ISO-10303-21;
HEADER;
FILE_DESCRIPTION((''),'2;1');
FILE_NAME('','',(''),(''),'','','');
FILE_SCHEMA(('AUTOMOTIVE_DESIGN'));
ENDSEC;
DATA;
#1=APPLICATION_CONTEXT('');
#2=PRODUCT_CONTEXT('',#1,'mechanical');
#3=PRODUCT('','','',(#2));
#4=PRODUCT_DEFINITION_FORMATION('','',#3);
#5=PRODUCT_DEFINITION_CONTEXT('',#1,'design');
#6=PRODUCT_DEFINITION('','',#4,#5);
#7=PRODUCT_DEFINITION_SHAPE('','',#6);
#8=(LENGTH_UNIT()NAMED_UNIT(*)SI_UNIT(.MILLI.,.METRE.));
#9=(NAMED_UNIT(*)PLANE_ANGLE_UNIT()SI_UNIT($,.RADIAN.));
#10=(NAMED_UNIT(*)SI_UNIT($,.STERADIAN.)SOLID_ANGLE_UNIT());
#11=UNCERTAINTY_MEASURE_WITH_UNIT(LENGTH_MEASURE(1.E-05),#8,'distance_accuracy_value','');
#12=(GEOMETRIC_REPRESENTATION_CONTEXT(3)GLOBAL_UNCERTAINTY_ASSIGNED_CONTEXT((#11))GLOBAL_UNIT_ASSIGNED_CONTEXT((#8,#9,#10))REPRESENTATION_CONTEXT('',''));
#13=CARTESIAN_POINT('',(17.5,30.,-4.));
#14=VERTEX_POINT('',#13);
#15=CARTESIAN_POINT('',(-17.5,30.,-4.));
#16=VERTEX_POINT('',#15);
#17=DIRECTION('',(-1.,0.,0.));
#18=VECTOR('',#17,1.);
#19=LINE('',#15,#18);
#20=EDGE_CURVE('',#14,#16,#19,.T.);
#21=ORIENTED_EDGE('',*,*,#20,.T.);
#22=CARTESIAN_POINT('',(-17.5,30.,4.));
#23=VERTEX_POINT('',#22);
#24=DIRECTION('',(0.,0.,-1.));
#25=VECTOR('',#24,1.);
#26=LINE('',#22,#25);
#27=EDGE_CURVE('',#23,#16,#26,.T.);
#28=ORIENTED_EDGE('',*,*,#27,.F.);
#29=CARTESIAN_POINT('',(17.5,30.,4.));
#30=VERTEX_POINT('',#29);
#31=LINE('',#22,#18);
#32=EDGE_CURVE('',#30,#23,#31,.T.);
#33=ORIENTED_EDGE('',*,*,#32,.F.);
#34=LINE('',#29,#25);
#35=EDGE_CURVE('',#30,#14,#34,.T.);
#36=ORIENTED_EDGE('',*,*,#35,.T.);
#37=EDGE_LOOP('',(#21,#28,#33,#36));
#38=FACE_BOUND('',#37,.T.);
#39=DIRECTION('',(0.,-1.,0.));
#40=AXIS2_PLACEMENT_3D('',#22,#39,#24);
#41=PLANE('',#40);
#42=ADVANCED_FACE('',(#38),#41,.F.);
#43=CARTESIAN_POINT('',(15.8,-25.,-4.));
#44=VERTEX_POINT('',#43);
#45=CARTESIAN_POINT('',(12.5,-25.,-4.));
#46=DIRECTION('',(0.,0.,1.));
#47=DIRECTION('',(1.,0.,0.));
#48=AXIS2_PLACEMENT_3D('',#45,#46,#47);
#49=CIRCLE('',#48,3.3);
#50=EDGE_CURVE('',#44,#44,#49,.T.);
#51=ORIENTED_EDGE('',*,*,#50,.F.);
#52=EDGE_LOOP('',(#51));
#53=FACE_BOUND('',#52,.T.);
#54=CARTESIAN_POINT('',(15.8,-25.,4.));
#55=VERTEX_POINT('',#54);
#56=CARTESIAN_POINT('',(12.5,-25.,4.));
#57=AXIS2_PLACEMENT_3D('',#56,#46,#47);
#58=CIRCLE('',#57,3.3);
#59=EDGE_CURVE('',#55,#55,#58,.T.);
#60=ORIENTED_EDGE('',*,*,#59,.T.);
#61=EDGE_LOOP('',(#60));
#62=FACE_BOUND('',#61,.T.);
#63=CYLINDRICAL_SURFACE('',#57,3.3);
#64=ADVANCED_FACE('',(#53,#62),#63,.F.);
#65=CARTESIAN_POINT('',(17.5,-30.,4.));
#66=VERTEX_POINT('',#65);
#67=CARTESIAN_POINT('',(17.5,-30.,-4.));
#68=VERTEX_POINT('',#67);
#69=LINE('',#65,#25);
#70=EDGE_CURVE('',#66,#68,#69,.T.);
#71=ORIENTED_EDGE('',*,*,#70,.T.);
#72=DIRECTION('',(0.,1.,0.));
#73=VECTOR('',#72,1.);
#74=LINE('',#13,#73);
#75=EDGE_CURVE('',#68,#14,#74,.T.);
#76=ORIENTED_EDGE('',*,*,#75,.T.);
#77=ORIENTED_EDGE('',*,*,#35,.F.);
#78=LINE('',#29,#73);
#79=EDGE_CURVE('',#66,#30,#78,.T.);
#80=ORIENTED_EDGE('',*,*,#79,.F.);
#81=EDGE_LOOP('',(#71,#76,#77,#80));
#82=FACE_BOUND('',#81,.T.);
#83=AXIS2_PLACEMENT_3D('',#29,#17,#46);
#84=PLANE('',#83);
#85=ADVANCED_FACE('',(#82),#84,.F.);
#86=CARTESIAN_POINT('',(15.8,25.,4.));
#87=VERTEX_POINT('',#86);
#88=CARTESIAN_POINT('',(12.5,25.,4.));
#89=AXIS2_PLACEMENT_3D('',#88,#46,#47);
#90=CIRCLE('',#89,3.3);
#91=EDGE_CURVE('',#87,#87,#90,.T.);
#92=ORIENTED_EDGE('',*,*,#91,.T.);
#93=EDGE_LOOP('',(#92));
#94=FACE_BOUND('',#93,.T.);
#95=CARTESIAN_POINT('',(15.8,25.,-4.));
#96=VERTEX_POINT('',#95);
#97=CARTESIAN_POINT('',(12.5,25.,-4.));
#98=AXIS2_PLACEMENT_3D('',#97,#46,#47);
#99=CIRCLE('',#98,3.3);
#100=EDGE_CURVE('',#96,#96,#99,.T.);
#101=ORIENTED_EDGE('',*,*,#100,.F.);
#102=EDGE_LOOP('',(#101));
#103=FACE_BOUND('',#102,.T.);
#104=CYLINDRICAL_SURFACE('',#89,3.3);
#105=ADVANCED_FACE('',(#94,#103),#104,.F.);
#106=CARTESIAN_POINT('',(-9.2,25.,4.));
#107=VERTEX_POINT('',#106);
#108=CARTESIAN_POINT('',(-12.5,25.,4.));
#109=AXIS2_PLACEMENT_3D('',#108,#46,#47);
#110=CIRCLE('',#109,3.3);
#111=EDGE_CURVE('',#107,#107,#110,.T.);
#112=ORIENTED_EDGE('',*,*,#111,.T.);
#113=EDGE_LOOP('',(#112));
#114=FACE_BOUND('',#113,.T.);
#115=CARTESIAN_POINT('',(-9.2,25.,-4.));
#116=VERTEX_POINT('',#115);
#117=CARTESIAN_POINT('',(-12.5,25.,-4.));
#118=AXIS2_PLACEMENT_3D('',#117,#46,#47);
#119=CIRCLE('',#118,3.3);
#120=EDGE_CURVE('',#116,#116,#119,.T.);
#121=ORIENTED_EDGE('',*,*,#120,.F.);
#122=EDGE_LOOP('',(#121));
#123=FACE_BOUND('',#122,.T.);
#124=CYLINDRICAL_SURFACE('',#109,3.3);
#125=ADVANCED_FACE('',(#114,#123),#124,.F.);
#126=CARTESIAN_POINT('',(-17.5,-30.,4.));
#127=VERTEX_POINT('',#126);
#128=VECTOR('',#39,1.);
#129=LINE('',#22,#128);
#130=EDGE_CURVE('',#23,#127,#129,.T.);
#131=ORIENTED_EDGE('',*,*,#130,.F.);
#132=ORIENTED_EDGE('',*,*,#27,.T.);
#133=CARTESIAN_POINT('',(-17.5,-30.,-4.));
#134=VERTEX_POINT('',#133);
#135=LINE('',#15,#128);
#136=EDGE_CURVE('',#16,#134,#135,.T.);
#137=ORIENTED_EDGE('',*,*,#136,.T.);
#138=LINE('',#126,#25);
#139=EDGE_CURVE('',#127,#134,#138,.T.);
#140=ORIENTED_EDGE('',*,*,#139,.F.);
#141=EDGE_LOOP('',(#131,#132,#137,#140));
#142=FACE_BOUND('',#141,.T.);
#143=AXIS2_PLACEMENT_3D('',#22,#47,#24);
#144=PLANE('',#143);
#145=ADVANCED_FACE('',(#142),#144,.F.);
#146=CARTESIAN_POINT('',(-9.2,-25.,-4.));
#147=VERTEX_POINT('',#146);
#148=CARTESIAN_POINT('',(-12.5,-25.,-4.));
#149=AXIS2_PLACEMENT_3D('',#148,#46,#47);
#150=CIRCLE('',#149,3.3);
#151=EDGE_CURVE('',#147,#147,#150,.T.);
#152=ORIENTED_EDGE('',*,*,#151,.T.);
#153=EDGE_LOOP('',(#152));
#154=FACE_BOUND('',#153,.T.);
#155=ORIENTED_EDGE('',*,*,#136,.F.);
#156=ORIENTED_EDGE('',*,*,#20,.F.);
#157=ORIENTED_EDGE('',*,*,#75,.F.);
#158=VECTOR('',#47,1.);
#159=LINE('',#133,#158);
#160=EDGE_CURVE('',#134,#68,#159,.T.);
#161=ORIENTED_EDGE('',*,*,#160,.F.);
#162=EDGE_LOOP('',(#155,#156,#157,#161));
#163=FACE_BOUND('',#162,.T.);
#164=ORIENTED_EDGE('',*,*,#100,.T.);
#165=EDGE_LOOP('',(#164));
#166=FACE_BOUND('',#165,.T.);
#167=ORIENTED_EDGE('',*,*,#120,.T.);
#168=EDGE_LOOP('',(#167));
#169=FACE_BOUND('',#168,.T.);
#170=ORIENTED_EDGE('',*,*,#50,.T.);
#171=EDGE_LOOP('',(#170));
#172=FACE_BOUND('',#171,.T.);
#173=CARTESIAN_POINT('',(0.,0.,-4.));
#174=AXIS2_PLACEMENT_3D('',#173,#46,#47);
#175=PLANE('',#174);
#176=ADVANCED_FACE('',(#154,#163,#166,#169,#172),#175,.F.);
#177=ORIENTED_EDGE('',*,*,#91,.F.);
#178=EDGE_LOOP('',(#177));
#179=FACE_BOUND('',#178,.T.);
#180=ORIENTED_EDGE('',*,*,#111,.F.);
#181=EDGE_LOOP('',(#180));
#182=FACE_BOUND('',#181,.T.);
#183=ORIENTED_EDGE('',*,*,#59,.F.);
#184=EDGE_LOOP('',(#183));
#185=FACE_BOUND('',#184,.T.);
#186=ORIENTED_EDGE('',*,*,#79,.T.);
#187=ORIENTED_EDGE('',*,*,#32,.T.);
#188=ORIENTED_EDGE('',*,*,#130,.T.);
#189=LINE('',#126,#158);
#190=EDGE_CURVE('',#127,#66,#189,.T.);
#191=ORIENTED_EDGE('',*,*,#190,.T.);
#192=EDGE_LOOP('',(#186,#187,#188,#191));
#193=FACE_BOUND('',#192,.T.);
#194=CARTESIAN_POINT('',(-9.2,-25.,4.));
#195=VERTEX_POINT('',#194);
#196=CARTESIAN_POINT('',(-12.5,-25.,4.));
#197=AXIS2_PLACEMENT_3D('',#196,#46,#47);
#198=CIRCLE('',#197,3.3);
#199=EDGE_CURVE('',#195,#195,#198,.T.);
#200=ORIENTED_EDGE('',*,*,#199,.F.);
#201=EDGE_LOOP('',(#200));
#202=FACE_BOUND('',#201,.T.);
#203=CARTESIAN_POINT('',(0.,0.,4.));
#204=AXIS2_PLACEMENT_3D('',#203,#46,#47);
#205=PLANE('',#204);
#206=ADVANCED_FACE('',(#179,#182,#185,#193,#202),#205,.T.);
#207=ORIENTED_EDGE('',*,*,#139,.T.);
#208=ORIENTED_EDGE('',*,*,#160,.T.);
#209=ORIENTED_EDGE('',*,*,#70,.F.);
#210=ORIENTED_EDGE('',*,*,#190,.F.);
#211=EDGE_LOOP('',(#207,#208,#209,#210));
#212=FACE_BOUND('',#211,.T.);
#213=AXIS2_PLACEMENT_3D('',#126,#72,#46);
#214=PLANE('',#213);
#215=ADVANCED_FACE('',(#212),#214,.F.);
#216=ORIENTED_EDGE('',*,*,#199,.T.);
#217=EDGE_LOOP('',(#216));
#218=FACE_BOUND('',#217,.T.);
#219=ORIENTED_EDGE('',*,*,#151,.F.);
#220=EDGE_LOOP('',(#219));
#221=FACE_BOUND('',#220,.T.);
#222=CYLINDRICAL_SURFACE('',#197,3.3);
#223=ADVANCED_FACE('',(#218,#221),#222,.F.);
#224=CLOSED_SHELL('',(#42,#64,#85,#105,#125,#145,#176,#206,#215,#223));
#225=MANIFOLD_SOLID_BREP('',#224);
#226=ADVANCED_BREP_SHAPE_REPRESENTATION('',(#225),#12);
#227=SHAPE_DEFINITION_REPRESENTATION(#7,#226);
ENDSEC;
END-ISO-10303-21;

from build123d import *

# Parameters (mm, degrees)
SKETCH1_W           = 35
SKETCH1_H           = 60
BOSS_EXTRUDE1_DEPTH = 4


with BuildPart() as part:
    # Sketch1 → Boss-Extrude1 (new, symmetric)
    with BuildSketch(Plane.XY):
        Rectangle(SKETCH1_W, SKETCH1_H)
    extrude(amount=BOSS_EXTRUDE1_DEPTH, both=True)

    # Sketch3 → M6 Clearance Hole1 (revolve, cut)
    with BuildSketch(Plane(origin=(-12.5, 25, 4), x_dir=(0, -1, 0), z_dir=(1, 0, 0))):
        Polygon((0, 0), (0, 9.982840043), (3.3, 8), (3.3, 0), align=None)
    m6_clearance_hole1 = revolve(axis=Axis((-12.5, 25, 10.35), (0, 0, -1)), mode=Mode.SUBTRACT)

    # Mirror1: M6 Clearance Hole1 across plane
    add(m6_clearance_hole1.mirror(Plane(origin=(0, 0, 0), x_dir=(0, 0, 1), z_dir=(1, 0, 0))), mode=Mode.SUBTRACT)

    # Mirror2: M6 Clearance Hole1 across plane
    add(m6_clearance_hole1.mirror(Plane.ZX), mode=Mode.SUBTRACT)

    # Mirror2 copy 1 sketch → Mirror2 copy 1 (revolve, cut)
    with BuildSketch(Plane(origin=(12.5, -25, 4), x_dir=(0, 1, 0), z_dir=(-1, 0, 0))):
        Polygon((0, 0), (0, 9.982840043), (3.3, 8), (3.3, 0), align=None)
    revolve(axis=Axis((12.5, -25, 10.35), (0, 0, -1)), mode=Mode.SUBTRACT)


solid = part.part
